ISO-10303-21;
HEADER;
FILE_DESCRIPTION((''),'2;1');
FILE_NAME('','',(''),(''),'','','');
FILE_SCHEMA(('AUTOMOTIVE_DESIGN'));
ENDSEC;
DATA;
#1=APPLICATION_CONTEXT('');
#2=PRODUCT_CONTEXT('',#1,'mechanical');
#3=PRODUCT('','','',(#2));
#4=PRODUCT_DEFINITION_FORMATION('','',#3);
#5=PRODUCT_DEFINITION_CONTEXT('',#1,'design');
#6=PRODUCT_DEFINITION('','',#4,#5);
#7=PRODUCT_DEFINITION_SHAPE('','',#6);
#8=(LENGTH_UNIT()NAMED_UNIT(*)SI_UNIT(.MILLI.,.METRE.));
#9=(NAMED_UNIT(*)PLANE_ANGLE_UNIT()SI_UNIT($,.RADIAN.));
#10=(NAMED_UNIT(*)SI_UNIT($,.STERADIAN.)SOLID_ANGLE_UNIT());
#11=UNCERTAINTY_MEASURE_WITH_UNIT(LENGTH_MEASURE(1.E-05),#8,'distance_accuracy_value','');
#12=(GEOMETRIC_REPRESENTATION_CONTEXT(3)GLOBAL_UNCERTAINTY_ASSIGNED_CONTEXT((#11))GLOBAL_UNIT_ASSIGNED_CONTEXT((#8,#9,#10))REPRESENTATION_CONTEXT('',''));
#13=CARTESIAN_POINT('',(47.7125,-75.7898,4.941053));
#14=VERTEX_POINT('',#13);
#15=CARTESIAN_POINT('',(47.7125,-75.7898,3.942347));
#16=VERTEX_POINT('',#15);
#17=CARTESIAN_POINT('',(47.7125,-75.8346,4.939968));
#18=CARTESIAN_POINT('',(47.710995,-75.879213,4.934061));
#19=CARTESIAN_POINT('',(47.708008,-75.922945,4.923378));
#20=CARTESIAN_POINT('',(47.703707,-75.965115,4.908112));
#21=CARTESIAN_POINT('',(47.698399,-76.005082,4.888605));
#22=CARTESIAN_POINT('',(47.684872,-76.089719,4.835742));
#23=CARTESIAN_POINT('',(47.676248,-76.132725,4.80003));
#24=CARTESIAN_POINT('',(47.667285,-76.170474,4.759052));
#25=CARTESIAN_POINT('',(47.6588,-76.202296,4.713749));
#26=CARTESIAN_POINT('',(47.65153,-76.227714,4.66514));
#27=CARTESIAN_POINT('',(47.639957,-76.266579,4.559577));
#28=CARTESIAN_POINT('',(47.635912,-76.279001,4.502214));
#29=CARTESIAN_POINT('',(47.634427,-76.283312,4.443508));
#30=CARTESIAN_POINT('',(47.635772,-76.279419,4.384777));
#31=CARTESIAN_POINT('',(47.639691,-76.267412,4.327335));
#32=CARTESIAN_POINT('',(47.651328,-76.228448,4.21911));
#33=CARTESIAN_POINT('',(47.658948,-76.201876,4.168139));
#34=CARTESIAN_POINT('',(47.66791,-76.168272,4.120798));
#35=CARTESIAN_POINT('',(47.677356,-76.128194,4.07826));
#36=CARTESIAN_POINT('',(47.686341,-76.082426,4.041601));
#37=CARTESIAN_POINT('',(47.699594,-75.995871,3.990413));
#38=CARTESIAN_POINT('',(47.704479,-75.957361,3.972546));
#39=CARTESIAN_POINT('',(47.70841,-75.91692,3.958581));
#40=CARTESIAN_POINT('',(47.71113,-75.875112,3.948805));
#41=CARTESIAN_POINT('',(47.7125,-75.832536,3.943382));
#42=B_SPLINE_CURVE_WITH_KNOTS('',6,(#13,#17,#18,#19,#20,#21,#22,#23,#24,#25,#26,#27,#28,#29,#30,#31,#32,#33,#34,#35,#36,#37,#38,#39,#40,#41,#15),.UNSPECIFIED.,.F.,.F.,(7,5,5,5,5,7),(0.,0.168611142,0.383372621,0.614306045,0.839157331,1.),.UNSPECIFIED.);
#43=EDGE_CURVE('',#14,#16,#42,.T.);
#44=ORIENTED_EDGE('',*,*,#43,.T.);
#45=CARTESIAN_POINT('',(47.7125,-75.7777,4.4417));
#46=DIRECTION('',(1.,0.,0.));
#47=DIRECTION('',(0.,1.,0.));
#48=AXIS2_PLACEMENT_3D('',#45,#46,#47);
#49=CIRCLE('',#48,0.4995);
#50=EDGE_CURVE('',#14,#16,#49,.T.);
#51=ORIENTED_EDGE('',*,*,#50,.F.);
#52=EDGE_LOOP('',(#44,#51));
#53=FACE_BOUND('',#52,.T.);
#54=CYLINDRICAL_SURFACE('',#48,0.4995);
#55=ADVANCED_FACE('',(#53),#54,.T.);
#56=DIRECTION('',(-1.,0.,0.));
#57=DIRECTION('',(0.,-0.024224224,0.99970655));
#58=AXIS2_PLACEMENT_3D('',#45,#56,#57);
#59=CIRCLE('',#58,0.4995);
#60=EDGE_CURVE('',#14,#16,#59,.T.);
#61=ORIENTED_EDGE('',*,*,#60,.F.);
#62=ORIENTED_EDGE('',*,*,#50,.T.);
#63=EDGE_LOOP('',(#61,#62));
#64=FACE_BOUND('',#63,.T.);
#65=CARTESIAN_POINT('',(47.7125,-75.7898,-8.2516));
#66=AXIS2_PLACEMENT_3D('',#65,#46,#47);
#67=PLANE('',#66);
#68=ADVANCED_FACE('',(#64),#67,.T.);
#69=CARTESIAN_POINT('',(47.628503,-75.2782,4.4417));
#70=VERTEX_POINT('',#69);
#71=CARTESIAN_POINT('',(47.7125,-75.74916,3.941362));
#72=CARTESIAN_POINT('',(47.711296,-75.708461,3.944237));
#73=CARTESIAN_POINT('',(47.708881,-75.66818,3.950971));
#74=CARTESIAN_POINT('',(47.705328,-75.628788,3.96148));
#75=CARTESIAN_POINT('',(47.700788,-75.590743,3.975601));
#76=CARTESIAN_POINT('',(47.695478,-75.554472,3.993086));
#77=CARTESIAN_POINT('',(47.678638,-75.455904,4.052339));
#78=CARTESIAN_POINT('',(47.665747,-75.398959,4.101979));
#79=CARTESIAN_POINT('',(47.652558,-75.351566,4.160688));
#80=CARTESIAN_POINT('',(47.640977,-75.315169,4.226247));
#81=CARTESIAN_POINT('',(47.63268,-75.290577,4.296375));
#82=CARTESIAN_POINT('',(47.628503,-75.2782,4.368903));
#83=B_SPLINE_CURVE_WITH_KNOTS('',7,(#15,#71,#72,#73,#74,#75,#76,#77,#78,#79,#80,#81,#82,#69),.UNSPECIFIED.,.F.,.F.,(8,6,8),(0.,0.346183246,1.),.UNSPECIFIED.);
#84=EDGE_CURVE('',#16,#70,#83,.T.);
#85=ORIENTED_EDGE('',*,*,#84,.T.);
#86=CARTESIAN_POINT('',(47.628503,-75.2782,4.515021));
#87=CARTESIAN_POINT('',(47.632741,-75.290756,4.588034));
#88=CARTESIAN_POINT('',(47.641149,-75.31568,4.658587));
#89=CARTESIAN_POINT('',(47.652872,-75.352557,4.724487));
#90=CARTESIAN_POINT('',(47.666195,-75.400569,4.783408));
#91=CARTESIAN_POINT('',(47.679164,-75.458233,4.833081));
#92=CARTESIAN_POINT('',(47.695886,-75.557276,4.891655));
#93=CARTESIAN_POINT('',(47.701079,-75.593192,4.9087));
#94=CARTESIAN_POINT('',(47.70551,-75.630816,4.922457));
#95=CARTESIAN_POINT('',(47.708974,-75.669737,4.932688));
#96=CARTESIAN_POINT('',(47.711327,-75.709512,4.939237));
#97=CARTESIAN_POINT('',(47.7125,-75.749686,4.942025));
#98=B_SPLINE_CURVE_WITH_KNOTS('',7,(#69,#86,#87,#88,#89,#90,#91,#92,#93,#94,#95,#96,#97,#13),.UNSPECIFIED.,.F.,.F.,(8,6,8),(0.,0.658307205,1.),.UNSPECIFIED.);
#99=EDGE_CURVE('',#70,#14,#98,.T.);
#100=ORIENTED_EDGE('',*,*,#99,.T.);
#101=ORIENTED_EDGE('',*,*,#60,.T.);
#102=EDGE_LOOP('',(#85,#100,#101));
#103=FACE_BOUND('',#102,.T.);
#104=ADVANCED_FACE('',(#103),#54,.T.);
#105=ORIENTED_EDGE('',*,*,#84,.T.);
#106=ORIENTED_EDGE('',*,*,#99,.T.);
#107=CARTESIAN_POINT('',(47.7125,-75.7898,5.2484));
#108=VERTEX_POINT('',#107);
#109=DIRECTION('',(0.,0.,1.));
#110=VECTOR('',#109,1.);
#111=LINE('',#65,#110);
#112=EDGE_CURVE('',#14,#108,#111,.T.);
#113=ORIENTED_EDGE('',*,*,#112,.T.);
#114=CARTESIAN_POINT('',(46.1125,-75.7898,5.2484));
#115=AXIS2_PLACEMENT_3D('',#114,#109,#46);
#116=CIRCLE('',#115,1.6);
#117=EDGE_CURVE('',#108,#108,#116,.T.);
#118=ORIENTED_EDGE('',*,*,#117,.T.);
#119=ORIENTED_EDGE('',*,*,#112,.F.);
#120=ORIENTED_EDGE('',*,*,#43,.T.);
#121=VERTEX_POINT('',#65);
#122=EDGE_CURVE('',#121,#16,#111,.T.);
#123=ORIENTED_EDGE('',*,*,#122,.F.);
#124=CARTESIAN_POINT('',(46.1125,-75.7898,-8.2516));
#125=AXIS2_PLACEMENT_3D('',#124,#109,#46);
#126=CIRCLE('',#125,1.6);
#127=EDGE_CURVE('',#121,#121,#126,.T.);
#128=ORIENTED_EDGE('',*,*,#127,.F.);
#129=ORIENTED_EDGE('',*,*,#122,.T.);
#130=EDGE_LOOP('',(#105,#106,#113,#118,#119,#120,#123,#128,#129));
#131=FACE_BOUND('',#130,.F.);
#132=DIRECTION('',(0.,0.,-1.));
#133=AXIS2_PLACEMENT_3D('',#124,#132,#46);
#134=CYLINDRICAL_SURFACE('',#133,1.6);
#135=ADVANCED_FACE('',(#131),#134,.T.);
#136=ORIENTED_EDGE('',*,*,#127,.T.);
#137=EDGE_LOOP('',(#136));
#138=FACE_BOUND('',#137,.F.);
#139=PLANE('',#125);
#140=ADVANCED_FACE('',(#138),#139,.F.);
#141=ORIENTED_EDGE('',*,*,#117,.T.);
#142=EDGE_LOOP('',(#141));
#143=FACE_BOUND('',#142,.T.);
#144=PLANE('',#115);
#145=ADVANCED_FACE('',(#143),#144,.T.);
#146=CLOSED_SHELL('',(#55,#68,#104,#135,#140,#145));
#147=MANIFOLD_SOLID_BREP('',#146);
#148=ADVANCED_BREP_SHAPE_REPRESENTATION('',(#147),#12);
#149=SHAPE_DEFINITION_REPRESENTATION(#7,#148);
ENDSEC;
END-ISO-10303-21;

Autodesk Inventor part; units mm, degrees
ref_plane "XZ Plane" through (0, 0, 0) normal (0, 1, 0) x (-1, 0, 0)
ref_plane "XY Plane" through (0, 0, 0) normal (0, 0, 1) x (1, 0, 0)
ref_plane "Work Plane1" through (46.1125, -75.7898, -8.2516) normal (0, 0, 1) x (1, 0, 0)
sketch "Sketch1" plane through (46.1125, -75.7898, -8.2516) normal (0, 0, 1) x (1, 0, 0)
  circle A0 centre (0, 0) radius 1.6 projected
  point P0 (-46.1125, 75.7898)
extrude "Extrusion1" add sketch "Sketch1" along normal blind 13.5
ref_plane "Work Plane2" through (47.7125, -75.7898, -8.2516) normal (1, 0, 0) x (0, 1, 0)
sketch "Sketch2" plane through (47.7125, -75.7898, -8.2516) normal (1, 0, 0) x (0, 1, 0)
  circle A0 centre (0.0121, 12.6933) radius 0.4995
  point P0 (75.7898, 8.2516)
extrude "Extrusion2" add sketch "Sketch2" against normal up to next
properties part number "Tige d'entraintenement" material "Iron, Cast"
